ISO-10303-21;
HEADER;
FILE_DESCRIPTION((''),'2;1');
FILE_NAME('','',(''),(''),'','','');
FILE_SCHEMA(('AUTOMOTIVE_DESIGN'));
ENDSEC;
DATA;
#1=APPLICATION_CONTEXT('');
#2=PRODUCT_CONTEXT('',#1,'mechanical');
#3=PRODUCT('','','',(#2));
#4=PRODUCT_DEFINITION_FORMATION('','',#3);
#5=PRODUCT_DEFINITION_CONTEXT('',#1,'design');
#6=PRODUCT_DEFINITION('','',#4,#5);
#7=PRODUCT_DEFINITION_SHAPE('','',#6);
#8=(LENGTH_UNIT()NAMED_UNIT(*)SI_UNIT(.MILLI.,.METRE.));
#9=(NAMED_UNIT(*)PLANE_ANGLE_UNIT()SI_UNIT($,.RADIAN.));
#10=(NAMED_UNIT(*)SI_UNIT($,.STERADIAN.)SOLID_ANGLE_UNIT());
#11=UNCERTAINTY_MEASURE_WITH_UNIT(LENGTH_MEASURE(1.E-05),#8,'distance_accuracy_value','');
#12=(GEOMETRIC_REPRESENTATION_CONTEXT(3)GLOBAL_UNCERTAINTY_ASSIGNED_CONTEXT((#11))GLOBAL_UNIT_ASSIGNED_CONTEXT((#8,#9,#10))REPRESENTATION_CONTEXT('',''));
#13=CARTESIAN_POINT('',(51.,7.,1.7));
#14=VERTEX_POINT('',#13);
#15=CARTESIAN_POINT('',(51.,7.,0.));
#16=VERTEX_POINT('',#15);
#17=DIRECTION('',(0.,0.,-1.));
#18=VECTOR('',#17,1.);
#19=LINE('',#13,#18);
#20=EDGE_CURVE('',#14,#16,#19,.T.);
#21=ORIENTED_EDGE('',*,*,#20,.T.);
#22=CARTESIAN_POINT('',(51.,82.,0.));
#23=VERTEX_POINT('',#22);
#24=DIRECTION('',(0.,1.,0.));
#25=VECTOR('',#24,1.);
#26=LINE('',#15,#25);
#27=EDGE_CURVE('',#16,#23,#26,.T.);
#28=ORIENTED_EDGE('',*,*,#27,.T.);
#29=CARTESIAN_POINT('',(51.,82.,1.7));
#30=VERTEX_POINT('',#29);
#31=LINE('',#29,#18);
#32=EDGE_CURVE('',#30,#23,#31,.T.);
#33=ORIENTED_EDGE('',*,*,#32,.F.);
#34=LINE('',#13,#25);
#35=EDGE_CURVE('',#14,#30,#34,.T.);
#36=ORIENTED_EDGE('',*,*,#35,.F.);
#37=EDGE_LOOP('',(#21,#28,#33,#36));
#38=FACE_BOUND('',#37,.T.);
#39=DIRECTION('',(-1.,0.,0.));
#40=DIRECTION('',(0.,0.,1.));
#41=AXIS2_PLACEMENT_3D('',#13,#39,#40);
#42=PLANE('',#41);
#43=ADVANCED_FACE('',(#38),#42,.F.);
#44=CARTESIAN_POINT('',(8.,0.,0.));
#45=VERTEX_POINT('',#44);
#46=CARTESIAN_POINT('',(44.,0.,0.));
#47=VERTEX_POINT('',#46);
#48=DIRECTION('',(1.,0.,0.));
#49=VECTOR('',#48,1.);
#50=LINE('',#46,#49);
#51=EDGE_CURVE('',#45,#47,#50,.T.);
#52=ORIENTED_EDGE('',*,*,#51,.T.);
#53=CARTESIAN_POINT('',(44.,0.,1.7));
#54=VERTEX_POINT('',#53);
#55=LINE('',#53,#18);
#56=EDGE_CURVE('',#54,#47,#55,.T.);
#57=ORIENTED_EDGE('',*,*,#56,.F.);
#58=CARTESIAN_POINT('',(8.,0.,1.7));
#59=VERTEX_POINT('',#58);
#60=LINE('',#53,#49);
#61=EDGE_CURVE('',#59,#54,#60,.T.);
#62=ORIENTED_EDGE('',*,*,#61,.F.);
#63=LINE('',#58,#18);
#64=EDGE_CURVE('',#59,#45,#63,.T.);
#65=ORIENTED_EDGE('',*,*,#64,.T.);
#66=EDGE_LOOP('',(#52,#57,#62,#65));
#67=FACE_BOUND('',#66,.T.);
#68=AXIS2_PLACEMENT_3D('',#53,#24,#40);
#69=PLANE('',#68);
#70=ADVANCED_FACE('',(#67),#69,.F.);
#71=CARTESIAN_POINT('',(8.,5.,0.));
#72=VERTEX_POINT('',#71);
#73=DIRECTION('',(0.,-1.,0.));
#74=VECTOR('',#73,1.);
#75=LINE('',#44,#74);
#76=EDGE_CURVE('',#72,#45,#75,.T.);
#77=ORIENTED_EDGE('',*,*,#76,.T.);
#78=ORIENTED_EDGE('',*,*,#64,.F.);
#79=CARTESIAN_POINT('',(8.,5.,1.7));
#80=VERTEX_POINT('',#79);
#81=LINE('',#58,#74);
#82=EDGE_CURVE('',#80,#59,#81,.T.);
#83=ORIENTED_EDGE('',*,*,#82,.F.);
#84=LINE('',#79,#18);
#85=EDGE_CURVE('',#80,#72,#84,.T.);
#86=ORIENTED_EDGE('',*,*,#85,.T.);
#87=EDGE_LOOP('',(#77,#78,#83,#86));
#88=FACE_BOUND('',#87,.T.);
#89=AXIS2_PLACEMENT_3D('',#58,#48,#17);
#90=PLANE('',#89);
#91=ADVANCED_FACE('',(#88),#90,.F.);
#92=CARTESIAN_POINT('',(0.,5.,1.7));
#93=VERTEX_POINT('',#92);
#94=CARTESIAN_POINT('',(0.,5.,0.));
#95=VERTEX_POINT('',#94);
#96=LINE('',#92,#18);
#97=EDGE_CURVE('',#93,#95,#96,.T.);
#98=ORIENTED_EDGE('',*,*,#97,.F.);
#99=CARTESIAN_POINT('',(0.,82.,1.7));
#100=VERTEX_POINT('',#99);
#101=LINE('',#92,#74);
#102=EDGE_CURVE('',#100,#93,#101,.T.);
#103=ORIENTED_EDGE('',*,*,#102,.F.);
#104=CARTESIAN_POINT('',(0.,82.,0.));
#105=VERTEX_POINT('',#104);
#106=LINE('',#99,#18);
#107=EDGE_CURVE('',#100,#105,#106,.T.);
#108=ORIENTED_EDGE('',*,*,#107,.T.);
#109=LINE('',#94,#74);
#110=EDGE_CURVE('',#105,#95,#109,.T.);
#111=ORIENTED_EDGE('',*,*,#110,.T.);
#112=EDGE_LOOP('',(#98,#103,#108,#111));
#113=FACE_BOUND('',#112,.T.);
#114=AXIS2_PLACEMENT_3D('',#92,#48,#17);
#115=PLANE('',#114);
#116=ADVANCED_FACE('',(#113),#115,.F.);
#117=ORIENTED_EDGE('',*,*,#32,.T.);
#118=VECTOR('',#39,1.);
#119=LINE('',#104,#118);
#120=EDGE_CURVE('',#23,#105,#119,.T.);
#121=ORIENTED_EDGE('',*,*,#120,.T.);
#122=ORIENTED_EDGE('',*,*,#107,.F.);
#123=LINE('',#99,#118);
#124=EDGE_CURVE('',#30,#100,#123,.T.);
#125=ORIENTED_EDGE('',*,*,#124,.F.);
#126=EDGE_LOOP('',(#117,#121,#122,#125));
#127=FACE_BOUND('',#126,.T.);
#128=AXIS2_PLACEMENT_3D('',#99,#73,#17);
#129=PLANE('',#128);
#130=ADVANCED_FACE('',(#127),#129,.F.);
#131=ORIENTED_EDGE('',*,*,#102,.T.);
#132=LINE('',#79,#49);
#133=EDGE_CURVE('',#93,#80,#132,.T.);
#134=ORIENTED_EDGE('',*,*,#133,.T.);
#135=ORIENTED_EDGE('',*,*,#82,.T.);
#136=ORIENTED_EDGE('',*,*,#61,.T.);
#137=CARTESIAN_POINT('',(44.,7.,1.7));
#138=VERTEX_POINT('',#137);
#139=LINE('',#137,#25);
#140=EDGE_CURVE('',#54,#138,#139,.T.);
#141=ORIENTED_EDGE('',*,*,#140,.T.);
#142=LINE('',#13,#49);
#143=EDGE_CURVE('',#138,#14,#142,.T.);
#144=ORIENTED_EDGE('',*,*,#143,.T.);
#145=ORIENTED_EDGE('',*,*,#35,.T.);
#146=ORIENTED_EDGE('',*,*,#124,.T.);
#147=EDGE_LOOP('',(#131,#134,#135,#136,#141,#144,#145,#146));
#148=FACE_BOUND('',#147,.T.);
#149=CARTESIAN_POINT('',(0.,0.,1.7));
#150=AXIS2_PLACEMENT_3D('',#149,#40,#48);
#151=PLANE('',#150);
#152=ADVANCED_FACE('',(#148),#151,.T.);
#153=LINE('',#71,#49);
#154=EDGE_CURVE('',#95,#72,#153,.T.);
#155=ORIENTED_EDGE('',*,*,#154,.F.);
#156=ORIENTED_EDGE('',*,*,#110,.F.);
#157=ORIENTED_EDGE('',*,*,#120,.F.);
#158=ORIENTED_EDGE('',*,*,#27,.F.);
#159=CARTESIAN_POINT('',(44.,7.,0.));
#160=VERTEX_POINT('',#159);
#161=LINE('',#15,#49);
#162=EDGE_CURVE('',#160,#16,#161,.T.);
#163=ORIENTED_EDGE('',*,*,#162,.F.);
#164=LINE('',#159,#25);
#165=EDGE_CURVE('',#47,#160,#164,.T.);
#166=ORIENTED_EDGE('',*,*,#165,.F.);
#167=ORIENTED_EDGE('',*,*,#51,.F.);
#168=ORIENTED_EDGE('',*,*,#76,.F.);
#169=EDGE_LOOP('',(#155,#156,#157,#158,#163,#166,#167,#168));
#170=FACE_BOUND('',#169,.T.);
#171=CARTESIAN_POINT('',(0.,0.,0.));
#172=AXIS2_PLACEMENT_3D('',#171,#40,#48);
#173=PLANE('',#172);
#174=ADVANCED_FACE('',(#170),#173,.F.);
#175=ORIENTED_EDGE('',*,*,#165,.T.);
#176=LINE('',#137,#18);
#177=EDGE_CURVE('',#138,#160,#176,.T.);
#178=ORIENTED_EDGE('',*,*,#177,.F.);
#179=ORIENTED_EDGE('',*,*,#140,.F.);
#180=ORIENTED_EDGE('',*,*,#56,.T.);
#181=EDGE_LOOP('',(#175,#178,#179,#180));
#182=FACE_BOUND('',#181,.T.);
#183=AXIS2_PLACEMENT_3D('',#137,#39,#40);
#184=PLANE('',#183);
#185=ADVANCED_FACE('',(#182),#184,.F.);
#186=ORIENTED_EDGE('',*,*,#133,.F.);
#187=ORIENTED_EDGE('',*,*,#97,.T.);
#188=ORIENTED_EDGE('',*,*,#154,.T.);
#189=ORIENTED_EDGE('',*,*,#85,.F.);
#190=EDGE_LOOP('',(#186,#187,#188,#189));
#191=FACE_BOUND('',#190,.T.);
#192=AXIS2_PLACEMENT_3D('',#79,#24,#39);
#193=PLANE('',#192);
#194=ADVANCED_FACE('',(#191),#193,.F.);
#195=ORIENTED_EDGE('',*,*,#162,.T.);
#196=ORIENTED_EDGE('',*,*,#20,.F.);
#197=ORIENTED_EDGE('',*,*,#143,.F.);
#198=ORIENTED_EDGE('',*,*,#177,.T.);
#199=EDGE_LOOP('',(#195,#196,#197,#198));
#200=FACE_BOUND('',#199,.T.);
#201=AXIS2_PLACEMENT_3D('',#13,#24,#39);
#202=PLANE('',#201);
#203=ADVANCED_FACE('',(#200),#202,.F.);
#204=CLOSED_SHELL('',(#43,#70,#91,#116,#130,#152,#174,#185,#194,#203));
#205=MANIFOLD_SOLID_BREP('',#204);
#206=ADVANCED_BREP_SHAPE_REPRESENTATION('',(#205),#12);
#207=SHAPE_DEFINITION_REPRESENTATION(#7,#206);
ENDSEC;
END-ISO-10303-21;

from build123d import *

# Parameters (mm, degrees)
BOSS_EXTRUDE1_DEPTH = 1.7


with BuildPart() as part:
    # Sketch1 → Boss-Extrude1 (new body)
    with BuildSketch(Plane.XY):
        Polygon((8, 0), (8, 5), (0, 5), (0, 82), (51, 82), (51, 7), (44, 7), (44, 0), align=None)
    extrude(amount=BOSS_EXTRUDE1_DEPTH)


solid = part.part
